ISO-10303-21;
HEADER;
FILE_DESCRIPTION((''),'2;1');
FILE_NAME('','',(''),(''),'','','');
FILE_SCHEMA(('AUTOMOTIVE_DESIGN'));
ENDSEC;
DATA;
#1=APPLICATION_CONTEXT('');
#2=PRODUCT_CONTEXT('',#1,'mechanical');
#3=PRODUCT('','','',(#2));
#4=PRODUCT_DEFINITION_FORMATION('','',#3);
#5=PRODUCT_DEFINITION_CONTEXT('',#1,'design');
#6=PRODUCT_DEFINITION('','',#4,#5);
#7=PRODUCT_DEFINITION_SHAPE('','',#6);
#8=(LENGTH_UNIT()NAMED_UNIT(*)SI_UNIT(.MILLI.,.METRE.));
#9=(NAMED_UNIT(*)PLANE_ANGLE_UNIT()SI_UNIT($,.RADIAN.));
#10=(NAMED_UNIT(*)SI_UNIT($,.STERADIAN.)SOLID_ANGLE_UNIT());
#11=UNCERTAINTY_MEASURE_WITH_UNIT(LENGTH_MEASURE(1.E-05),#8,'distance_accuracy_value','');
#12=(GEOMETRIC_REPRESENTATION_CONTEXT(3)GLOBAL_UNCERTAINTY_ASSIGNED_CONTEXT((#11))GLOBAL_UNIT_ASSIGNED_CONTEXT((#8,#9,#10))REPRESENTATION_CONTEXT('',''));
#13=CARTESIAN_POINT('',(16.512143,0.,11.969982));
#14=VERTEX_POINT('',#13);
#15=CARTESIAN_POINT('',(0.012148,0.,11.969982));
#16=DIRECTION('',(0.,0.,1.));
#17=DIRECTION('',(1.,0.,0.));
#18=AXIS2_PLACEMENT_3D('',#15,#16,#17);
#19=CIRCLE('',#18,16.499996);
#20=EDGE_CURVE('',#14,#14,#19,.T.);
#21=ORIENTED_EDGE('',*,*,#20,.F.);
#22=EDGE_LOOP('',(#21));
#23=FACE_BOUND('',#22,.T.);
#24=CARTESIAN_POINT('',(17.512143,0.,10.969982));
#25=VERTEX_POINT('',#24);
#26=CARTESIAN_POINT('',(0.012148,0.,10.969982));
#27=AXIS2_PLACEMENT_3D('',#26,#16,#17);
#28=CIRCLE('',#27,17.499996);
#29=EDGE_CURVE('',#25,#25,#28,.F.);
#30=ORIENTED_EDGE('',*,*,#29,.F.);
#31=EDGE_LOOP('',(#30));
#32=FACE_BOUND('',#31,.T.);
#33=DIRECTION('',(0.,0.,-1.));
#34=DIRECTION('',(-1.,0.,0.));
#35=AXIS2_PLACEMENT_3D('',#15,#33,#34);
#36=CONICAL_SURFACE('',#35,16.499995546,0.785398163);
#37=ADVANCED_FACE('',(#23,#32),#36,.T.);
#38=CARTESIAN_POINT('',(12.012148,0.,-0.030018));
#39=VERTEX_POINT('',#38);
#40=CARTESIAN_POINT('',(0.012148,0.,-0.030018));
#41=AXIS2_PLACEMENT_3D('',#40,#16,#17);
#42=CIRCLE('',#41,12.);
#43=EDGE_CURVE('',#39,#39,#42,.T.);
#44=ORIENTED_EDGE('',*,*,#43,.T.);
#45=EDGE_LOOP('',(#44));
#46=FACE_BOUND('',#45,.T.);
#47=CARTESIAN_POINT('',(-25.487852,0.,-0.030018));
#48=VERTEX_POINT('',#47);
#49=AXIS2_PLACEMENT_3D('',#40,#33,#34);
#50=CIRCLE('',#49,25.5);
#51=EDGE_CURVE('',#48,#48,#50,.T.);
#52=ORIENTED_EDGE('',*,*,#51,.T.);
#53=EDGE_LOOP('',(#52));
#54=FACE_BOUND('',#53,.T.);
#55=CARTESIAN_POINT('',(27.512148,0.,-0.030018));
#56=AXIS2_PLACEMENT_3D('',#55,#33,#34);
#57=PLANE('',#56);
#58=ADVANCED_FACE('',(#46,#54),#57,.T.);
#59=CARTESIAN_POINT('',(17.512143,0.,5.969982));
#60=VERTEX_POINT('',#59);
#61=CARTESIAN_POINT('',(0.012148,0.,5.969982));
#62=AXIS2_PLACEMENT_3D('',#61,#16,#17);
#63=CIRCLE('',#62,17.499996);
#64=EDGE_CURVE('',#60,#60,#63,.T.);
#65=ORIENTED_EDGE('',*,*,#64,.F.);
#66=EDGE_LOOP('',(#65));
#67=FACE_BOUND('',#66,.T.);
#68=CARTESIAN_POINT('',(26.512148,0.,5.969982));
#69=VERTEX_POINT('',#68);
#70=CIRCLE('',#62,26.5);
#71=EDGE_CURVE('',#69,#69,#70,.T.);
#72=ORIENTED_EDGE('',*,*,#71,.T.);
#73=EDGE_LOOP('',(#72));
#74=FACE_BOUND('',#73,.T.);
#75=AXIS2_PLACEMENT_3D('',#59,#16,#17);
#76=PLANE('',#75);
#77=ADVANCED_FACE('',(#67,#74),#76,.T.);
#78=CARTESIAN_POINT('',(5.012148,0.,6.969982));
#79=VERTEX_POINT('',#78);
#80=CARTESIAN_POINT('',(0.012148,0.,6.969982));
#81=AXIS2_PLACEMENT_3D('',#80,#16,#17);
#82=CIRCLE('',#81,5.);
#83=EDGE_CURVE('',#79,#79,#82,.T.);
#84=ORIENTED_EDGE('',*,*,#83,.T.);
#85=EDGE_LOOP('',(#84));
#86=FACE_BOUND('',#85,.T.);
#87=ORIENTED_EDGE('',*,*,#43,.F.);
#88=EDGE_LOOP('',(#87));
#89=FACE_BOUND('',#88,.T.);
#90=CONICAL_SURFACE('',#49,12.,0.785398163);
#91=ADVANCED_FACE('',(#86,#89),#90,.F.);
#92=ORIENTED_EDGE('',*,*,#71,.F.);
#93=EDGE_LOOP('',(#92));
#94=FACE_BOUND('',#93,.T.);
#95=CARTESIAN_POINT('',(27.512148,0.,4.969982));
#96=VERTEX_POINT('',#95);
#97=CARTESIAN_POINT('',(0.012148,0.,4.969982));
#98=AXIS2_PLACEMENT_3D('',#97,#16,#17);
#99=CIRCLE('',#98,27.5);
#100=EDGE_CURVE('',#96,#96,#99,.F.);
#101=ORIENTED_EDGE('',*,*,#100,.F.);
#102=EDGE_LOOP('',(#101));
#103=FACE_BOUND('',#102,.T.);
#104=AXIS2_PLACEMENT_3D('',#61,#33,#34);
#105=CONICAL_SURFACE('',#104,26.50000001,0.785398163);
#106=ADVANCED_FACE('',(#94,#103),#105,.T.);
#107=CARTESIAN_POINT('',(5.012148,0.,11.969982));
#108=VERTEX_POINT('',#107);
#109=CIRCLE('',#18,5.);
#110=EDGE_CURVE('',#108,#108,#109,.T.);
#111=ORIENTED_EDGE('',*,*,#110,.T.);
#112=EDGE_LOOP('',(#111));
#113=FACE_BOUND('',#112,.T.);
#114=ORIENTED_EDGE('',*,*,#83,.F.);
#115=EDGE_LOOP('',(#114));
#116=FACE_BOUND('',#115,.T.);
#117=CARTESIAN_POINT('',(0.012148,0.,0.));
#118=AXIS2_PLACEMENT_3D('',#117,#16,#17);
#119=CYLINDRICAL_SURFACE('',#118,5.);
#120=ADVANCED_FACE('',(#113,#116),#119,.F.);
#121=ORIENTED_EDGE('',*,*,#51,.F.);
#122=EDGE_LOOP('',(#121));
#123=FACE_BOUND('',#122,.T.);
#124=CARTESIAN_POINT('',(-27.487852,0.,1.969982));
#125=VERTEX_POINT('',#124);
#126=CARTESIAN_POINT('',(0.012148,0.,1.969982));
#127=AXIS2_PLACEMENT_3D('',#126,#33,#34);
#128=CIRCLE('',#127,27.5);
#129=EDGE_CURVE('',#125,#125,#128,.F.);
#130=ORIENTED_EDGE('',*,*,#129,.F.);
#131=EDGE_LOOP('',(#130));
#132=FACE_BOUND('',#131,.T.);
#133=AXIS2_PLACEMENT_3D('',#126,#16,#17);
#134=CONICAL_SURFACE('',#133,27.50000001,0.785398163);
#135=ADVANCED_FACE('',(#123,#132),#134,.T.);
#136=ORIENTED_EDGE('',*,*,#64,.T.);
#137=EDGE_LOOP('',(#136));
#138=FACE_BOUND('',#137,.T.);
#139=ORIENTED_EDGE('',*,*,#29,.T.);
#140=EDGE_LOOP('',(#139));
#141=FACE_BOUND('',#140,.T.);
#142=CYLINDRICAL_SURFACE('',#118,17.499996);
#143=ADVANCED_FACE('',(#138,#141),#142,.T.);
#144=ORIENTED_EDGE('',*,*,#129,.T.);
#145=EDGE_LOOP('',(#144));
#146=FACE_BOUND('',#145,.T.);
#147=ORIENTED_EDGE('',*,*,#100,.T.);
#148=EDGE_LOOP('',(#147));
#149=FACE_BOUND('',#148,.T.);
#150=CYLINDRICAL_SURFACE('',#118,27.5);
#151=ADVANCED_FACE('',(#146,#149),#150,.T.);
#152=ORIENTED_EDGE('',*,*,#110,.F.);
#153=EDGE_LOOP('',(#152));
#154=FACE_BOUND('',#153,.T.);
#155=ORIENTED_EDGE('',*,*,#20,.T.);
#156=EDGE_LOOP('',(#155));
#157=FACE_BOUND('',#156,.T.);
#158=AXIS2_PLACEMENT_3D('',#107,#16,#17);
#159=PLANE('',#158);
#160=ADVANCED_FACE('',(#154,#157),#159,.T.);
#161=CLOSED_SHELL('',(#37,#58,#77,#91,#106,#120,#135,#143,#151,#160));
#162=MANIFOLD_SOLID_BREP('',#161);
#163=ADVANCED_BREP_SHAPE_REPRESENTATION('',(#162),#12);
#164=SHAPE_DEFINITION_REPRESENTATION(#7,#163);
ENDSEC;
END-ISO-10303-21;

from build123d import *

# Parameters (mm, degrees)
CHAFL_N1_SIZE = 2
CHAFL_N2_SIZE = 1


with BuildPart() as part:
    # Croquis1 → Revolución1 (revolve)
    with BuildSketch(Plane(origin=(0, 0, 0), x_dir=(1, 0, 0), z_dir=(0, 1, 0))):
        Polygon((17.512143261, -5.969981855), (27.512147725, -5.969981855), (27.512147725, 0.030018145), (12.012147715, 0.030018145), (5.012147715, -6.969981855), (5.012147715, -11.969981855), (17.512143261, -11.969981855), align=None)
    revolve(axis=Axis((0.012147715, 0, 0), (0, 0, 1)))

    # Chaflán1
    chafl_n1_edges = [part.edges().sort_by_distance(p)[0] for p in [
        (-27.487852294, 0, -0.030018145),
    ]]
    chamfer(chafl_n1_edges, length=CHAFL_N1_SIZE)

    # Chaflán2
    chafl_n2_edges = [part.edges().sort_by_distance(p)[0] for p in [
        (-27.487852294, 0, 5.969981855),
        (-17.48784783, 0, 11.969981855),
    ]]
    chamfer(chafl_n2_edges, length=CHAFL_N2_SIZE)


solid = part.part
